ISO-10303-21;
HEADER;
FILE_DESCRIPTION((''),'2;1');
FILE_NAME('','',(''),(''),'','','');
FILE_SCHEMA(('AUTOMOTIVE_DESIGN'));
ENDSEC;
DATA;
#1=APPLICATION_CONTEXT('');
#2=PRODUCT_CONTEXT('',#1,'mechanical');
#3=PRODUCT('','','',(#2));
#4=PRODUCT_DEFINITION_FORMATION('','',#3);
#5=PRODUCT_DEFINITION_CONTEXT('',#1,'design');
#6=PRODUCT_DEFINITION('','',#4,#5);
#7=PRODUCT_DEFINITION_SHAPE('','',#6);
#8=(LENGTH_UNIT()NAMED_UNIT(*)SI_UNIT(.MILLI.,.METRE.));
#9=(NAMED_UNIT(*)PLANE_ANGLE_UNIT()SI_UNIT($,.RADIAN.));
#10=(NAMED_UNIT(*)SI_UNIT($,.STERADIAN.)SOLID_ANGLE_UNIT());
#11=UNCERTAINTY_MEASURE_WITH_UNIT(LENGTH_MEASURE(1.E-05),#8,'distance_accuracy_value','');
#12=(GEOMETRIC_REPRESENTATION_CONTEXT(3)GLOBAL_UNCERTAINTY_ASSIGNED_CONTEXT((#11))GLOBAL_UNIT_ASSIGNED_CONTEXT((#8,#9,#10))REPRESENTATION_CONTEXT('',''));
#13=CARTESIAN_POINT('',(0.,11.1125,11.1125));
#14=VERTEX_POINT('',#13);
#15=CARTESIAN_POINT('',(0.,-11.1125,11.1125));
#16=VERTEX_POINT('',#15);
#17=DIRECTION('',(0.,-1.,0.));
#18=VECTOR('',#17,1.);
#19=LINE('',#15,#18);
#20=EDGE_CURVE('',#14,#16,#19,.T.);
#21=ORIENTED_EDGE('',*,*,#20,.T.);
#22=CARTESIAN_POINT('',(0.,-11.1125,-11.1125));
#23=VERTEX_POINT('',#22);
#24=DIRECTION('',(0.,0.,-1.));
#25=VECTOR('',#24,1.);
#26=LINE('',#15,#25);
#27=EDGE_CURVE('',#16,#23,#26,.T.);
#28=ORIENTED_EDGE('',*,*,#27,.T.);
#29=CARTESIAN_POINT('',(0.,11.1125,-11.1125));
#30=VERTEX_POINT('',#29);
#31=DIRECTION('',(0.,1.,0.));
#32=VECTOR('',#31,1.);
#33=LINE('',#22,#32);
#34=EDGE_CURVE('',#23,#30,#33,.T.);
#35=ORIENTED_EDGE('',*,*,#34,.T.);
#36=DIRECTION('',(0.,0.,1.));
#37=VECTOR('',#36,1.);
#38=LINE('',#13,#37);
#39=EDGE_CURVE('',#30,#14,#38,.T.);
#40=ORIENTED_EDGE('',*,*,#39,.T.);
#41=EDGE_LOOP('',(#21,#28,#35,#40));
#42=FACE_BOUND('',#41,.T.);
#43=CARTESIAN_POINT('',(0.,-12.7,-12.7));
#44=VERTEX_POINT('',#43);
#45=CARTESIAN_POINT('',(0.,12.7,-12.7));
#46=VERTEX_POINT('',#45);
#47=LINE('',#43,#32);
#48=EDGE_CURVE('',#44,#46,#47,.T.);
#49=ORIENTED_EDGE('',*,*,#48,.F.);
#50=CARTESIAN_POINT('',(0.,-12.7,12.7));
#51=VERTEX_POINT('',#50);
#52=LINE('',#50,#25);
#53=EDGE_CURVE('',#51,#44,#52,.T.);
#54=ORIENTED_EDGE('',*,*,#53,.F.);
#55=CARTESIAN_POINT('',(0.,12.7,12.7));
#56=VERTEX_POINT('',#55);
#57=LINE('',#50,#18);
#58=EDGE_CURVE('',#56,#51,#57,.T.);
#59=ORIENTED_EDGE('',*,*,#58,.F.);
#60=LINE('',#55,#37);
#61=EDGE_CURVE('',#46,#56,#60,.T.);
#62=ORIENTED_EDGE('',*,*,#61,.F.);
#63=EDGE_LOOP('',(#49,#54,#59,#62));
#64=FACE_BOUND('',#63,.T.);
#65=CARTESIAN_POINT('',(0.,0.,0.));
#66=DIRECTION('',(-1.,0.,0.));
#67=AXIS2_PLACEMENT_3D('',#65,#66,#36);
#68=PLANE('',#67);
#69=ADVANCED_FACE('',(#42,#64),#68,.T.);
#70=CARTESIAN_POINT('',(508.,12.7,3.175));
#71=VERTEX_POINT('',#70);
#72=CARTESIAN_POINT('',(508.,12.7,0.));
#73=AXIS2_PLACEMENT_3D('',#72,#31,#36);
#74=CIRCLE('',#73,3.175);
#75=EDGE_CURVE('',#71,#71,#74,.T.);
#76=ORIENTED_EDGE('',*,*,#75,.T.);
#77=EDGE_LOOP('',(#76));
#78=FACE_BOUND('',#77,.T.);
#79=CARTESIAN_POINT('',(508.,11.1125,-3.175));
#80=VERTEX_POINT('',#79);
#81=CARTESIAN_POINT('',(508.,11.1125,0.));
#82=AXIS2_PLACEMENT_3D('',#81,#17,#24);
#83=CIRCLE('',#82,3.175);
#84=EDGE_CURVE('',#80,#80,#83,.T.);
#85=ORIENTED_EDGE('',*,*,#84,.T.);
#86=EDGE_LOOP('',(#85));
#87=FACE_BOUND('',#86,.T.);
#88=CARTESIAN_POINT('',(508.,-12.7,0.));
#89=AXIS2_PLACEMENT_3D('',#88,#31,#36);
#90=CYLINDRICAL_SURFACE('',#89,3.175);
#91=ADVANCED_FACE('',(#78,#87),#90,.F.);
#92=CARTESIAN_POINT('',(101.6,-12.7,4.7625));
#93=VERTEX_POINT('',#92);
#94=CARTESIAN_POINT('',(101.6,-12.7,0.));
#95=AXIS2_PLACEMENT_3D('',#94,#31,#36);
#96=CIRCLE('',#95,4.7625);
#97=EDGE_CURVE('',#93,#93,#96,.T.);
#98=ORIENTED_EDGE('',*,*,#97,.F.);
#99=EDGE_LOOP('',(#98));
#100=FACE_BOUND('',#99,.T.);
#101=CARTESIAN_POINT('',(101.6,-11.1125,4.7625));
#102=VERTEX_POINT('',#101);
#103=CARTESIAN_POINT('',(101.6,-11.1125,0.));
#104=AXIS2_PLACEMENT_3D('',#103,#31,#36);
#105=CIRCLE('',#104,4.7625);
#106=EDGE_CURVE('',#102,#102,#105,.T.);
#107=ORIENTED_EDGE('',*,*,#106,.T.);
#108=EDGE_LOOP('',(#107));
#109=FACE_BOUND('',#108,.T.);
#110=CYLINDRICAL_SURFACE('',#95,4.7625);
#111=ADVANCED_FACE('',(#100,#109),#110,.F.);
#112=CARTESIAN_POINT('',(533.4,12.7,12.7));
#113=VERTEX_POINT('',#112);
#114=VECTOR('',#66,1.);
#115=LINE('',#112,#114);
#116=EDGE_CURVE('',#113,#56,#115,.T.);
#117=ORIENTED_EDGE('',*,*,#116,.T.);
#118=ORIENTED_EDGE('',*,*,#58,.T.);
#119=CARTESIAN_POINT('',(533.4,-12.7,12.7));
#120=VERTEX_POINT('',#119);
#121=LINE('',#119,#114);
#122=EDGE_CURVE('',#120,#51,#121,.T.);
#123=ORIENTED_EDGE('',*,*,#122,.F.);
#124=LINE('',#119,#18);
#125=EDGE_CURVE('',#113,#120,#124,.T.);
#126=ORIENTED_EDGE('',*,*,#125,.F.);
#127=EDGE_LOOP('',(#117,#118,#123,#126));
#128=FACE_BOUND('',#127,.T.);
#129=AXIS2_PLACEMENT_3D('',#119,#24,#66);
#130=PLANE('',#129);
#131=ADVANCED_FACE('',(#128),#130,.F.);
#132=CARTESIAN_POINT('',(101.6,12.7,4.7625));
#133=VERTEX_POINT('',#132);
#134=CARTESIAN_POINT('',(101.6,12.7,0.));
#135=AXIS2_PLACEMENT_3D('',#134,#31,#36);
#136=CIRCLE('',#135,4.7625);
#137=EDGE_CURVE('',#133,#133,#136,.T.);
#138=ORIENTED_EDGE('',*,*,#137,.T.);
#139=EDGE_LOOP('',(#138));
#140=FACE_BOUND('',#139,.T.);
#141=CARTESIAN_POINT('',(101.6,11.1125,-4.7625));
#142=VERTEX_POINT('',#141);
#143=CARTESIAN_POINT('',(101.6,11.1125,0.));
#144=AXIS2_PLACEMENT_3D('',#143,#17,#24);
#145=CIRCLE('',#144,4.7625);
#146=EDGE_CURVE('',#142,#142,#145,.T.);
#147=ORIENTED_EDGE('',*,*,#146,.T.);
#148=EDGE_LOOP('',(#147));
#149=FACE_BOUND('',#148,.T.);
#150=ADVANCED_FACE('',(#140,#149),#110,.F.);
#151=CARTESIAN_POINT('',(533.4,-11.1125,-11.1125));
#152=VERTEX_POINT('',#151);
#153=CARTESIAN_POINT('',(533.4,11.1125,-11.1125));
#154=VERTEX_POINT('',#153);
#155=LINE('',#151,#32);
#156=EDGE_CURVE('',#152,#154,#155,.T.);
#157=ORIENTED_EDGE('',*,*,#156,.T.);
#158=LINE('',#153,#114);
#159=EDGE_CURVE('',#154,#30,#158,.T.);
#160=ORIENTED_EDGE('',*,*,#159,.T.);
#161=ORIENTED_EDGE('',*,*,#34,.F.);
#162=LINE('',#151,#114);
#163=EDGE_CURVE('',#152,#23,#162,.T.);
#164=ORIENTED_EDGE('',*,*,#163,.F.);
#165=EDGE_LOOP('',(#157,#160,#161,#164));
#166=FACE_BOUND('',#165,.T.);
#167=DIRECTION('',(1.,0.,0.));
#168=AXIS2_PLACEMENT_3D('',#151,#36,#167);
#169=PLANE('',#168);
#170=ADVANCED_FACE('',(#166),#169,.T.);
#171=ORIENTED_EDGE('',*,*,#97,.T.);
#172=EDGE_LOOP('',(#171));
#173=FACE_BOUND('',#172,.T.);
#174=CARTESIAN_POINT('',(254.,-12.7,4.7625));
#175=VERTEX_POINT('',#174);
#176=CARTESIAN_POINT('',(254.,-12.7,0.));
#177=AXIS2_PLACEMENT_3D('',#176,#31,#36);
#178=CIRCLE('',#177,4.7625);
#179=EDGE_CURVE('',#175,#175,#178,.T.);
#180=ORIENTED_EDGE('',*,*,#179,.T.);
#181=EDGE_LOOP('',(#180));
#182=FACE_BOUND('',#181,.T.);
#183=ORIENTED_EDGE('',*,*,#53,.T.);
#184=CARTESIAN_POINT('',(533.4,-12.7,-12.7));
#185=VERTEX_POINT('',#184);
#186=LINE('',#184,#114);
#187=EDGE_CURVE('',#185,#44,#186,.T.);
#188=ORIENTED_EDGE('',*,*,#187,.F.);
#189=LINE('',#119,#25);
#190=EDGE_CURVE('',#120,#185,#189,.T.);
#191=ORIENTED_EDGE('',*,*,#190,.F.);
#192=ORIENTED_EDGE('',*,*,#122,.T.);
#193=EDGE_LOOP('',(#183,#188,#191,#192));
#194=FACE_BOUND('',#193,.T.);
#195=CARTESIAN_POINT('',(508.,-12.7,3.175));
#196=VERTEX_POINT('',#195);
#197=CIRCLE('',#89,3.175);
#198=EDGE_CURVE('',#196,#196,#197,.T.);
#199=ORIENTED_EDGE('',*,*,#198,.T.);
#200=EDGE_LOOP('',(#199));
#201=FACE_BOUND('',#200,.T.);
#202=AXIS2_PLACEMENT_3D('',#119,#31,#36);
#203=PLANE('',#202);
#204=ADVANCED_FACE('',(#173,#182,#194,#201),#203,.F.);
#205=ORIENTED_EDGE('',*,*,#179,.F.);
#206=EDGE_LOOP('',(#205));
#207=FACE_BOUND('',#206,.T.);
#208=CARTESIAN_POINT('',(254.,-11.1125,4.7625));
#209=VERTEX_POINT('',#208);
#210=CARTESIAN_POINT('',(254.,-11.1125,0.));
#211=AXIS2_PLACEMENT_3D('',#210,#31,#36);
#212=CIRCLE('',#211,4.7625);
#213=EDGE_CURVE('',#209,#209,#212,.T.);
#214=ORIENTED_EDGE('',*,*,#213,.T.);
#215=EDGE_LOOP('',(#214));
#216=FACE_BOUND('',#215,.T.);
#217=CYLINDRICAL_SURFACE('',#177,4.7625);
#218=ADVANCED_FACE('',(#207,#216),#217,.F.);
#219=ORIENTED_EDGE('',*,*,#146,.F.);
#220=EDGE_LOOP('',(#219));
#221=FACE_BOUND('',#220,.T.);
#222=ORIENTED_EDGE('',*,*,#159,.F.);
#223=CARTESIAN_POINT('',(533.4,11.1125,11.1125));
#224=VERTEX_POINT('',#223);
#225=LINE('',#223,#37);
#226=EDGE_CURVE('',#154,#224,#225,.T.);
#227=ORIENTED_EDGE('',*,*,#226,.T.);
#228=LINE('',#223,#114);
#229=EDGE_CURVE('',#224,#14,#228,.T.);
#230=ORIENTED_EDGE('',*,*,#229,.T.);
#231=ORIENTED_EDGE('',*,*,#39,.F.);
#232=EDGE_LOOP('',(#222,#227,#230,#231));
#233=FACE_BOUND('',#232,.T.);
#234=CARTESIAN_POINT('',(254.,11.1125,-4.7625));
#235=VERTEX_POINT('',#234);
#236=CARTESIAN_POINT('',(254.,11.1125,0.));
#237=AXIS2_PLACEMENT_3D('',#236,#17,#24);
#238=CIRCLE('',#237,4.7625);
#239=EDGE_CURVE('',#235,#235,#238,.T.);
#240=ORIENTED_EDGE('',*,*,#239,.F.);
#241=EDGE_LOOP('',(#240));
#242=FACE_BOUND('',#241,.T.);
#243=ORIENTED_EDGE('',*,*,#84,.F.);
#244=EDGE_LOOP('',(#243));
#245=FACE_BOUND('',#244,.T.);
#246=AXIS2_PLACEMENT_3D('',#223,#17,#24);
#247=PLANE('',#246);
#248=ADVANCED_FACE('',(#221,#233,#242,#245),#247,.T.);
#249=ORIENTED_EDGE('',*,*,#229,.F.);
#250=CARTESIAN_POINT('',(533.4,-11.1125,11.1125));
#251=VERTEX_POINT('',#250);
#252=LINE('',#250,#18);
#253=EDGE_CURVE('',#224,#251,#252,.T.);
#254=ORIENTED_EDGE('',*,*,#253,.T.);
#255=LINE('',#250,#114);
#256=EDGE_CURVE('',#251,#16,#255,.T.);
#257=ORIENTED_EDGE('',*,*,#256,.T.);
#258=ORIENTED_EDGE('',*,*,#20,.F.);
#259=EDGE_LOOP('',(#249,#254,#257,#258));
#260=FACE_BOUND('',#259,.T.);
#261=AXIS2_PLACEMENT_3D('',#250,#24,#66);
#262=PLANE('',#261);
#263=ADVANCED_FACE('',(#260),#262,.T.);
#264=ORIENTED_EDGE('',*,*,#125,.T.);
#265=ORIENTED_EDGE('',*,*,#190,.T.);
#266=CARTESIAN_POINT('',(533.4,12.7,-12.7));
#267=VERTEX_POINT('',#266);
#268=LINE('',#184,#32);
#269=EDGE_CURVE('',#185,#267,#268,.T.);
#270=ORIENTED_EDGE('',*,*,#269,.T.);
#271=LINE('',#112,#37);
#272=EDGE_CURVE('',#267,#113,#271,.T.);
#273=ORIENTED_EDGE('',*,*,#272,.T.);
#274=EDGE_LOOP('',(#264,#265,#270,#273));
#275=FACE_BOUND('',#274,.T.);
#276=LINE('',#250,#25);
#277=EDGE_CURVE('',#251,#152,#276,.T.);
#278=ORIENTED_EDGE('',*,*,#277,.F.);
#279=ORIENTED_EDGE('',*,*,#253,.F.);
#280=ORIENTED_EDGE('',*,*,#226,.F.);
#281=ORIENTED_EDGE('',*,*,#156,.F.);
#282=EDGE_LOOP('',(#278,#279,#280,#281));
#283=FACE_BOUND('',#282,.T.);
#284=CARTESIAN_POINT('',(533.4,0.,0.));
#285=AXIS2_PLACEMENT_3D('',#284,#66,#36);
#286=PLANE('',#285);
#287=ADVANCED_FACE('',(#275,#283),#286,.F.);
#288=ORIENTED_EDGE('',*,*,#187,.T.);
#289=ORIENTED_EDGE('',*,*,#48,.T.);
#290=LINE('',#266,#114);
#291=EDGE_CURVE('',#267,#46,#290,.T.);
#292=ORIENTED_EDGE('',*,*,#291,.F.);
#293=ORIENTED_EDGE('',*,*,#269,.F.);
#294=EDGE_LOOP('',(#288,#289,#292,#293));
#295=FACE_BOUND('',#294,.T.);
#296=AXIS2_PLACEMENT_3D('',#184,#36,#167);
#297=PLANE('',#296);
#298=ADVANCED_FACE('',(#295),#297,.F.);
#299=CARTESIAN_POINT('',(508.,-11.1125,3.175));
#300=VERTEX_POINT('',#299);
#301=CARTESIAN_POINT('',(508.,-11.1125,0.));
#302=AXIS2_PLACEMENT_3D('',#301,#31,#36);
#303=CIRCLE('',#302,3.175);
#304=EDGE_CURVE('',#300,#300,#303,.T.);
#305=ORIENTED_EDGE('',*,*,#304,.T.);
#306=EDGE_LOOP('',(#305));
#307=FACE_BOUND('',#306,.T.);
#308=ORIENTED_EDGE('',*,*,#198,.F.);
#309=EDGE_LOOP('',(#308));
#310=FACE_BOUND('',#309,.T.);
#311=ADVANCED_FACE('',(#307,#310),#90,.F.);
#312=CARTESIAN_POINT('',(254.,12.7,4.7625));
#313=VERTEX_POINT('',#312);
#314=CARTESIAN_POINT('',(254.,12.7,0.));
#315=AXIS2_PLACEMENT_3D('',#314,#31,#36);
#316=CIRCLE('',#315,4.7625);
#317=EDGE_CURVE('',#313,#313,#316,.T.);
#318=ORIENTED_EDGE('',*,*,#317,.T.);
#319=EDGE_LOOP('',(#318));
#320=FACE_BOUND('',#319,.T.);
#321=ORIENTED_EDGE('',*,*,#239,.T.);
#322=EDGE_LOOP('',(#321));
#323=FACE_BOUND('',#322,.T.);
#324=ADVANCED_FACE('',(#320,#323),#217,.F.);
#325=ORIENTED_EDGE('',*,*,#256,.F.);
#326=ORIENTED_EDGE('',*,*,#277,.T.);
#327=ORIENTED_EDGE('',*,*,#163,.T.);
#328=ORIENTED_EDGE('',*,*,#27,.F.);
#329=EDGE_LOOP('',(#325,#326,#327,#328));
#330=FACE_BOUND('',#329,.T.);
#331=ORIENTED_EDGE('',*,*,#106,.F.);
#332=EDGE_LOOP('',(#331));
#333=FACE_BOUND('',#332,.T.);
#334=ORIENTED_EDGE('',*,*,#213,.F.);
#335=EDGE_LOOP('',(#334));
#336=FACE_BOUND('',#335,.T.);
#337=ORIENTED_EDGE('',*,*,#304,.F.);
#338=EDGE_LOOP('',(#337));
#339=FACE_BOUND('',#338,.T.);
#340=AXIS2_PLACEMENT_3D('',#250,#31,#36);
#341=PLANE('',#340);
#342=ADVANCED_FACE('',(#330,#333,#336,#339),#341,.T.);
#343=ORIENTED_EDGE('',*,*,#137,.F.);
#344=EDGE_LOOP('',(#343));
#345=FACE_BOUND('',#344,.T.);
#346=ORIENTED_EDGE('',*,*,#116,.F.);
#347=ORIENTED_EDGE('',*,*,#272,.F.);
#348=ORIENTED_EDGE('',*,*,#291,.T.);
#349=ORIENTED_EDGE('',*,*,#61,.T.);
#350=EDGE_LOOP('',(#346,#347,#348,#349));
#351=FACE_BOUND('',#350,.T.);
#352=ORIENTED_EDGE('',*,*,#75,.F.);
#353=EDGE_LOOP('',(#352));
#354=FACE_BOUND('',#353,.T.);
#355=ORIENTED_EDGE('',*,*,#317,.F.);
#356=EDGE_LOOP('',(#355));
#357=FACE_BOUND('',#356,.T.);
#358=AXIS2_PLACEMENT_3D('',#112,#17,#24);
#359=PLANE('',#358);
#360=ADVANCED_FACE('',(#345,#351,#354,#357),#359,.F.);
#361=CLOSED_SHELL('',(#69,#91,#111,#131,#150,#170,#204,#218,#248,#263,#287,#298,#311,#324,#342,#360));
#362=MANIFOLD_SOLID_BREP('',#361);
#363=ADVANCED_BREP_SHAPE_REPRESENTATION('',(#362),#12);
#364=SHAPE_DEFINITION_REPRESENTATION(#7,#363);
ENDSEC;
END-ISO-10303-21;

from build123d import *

# Parameters (mm, degrees)
SKETCH1_W           = 25.4
SKETCH1_H           = 25.4
SKETCH1_W_2         = 22.225
SKETCH1_H_2         = 22.225
BOSS_EXTRUDE1_DEPTH = 533.4
SKETCH2_R           = 4.7625
CUT_EXTRUDE1_DEPTH  = 535.155417458
SKETCH3_R           = 3.175
CUT_EXTRUDE2_DEPTH  = 535.155417458


with BuildPart() as part:
    # Sketch1 → Boss-Extrude1 (new body)
    with BuildSketch(Plane(origin=(0, 0, 0), x_dir=(0, 0, -1), z_dir=(1, 0, 0))):
        Rectangle(SKETCH1_W, SKETCH1_H)
        Rectangle(SKETCH1_W_2, SKETCH1_H_2, mode=Mode.SUBTRACT)
    extrude(amount=BOSS_EXTRUDE1_DEPTH)

    # Sketch2 → Cut-Extrude1 (cut, through all)
    with BuildSketch(Plane(origin=(0, 12.7, 0), x_dir=(1, 0, 0), z_dir=(0, 1, 0))):
        with Locations(Location((101.6, 0, 0), (0, 0, 270))):
            Circle(SKETCH2_R)
        with Locations(Location((254, 0, 0), (0, 0, 270))):
            Circle(SKETCH2_R)
    extrude(amount=-CUT_EXTRUDE1_DEPTH, mode=Mode.SUBTRACT)

    # Sketch3 → Cut-Extrude2 (cut, through all)
    with BuildSketch(Plane(origin=(0, 12.7, 0), x_dir=(1, 0, 0), z_dir=(0, 1, 0))):
        with Locations(Location((508, 0, 0), (0, 0, 270))):
            Circle(SKETCH3_R)
    extrude(amount=-CUT_EXTRUDE2_DEPTH, mode=Mode.SUBTRACT)


solid = part.part
